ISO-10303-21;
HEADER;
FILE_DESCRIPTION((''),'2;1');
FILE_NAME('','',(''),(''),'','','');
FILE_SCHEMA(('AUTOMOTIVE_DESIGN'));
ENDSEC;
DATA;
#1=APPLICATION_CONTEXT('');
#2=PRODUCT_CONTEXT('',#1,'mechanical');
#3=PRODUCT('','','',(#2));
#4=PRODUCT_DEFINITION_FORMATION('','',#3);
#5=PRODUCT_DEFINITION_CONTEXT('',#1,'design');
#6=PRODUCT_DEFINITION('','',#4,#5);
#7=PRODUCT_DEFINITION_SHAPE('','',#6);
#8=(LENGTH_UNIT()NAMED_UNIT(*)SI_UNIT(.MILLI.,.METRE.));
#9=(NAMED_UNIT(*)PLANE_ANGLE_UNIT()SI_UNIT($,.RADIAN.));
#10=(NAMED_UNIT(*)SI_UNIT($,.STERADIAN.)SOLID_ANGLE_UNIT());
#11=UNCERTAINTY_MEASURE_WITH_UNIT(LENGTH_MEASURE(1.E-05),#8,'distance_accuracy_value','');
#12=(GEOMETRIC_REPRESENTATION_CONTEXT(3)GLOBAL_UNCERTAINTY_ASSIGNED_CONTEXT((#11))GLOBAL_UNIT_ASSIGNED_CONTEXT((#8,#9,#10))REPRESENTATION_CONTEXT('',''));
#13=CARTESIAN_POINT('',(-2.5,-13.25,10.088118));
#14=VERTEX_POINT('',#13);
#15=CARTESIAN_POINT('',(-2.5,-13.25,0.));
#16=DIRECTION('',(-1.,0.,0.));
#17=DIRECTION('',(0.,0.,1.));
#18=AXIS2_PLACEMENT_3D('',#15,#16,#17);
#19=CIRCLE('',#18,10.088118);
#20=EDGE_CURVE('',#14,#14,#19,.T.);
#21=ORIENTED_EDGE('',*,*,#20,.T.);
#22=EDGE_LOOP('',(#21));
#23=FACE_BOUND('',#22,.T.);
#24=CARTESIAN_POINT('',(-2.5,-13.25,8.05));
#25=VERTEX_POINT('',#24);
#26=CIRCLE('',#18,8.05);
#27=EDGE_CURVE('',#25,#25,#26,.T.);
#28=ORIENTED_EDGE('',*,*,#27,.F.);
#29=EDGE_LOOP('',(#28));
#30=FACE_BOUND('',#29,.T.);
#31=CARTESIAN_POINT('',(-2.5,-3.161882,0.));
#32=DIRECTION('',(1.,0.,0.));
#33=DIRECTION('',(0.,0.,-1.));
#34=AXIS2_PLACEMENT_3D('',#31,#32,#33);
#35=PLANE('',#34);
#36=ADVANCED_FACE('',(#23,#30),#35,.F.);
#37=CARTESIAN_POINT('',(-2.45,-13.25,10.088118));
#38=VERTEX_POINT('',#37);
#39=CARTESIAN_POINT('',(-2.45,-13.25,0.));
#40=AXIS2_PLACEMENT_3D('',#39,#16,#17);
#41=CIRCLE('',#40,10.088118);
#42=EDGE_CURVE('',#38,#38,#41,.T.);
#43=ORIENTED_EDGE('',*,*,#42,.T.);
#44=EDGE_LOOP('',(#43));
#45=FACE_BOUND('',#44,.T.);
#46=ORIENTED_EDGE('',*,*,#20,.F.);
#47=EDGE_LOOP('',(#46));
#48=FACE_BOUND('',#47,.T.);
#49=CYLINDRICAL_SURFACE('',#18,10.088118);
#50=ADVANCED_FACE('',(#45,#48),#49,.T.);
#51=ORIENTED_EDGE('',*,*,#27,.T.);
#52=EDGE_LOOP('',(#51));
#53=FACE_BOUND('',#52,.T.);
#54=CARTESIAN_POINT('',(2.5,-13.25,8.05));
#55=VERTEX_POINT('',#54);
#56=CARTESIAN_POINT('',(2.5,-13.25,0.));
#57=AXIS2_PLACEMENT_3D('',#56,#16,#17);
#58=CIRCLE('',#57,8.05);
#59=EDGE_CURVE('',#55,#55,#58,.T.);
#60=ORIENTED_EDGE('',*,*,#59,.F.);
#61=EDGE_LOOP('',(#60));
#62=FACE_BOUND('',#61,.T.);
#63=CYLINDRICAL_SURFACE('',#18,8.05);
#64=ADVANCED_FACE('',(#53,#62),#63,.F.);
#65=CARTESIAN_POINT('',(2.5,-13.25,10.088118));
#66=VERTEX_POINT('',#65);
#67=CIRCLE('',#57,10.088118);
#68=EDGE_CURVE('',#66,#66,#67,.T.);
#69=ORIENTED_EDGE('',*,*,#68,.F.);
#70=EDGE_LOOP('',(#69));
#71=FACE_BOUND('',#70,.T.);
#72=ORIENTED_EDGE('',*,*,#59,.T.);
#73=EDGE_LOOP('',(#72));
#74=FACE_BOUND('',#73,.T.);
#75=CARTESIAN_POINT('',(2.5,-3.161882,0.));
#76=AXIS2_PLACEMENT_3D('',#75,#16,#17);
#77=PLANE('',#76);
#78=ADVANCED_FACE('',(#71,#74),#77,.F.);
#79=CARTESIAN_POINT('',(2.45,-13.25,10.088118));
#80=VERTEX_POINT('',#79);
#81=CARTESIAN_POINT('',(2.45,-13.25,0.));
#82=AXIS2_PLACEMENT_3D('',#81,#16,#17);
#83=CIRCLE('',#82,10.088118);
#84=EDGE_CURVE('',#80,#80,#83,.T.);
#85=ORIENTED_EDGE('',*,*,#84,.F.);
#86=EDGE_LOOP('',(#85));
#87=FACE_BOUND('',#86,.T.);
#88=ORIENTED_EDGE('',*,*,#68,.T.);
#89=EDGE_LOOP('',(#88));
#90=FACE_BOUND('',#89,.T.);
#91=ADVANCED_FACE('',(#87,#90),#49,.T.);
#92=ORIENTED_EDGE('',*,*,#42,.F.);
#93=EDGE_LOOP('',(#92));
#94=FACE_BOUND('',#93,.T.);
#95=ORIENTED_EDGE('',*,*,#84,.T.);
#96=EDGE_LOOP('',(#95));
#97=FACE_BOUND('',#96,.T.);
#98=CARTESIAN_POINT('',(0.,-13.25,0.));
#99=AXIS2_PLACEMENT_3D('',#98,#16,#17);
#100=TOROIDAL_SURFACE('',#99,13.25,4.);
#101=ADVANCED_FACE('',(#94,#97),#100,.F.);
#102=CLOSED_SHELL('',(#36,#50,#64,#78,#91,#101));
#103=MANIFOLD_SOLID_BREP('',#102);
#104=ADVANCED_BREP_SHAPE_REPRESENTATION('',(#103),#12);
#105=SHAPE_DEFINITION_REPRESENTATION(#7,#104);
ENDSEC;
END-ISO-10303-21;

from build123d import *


with BuildPart() as part:
    # Sketch1 → Revolve1 (revolve)
    with BuildSketch(Plane.XY, mode=Mode.PRIVATE) as revolve1_sk:
        with BuildLine():
            Line((-2.45, -3.161882351), (-2.5, -3.161882351))
            Line((-2.5, -3.161882351), (-2.5, -5.2))
            Line((-2.5, -5.2), (2.5, -5.2))
            Line((2.5, -5.2), (2.5, -3.161882351))
            Line((2.5, -3.161882351), (2.45, -3.161882351))
            ThreePointArc((2.45, -3.161882351), (0, -4), (-2.45, -3.161882351))
        make_face()
    revolve(revolve1_sk.sketch.rotate(Axis((-2.5, -13.25, 0), (1, 0, 0)), 90), axis=Axis((-2.5, -13.25, 0), (1, 0, 0)))


solid = part.part
